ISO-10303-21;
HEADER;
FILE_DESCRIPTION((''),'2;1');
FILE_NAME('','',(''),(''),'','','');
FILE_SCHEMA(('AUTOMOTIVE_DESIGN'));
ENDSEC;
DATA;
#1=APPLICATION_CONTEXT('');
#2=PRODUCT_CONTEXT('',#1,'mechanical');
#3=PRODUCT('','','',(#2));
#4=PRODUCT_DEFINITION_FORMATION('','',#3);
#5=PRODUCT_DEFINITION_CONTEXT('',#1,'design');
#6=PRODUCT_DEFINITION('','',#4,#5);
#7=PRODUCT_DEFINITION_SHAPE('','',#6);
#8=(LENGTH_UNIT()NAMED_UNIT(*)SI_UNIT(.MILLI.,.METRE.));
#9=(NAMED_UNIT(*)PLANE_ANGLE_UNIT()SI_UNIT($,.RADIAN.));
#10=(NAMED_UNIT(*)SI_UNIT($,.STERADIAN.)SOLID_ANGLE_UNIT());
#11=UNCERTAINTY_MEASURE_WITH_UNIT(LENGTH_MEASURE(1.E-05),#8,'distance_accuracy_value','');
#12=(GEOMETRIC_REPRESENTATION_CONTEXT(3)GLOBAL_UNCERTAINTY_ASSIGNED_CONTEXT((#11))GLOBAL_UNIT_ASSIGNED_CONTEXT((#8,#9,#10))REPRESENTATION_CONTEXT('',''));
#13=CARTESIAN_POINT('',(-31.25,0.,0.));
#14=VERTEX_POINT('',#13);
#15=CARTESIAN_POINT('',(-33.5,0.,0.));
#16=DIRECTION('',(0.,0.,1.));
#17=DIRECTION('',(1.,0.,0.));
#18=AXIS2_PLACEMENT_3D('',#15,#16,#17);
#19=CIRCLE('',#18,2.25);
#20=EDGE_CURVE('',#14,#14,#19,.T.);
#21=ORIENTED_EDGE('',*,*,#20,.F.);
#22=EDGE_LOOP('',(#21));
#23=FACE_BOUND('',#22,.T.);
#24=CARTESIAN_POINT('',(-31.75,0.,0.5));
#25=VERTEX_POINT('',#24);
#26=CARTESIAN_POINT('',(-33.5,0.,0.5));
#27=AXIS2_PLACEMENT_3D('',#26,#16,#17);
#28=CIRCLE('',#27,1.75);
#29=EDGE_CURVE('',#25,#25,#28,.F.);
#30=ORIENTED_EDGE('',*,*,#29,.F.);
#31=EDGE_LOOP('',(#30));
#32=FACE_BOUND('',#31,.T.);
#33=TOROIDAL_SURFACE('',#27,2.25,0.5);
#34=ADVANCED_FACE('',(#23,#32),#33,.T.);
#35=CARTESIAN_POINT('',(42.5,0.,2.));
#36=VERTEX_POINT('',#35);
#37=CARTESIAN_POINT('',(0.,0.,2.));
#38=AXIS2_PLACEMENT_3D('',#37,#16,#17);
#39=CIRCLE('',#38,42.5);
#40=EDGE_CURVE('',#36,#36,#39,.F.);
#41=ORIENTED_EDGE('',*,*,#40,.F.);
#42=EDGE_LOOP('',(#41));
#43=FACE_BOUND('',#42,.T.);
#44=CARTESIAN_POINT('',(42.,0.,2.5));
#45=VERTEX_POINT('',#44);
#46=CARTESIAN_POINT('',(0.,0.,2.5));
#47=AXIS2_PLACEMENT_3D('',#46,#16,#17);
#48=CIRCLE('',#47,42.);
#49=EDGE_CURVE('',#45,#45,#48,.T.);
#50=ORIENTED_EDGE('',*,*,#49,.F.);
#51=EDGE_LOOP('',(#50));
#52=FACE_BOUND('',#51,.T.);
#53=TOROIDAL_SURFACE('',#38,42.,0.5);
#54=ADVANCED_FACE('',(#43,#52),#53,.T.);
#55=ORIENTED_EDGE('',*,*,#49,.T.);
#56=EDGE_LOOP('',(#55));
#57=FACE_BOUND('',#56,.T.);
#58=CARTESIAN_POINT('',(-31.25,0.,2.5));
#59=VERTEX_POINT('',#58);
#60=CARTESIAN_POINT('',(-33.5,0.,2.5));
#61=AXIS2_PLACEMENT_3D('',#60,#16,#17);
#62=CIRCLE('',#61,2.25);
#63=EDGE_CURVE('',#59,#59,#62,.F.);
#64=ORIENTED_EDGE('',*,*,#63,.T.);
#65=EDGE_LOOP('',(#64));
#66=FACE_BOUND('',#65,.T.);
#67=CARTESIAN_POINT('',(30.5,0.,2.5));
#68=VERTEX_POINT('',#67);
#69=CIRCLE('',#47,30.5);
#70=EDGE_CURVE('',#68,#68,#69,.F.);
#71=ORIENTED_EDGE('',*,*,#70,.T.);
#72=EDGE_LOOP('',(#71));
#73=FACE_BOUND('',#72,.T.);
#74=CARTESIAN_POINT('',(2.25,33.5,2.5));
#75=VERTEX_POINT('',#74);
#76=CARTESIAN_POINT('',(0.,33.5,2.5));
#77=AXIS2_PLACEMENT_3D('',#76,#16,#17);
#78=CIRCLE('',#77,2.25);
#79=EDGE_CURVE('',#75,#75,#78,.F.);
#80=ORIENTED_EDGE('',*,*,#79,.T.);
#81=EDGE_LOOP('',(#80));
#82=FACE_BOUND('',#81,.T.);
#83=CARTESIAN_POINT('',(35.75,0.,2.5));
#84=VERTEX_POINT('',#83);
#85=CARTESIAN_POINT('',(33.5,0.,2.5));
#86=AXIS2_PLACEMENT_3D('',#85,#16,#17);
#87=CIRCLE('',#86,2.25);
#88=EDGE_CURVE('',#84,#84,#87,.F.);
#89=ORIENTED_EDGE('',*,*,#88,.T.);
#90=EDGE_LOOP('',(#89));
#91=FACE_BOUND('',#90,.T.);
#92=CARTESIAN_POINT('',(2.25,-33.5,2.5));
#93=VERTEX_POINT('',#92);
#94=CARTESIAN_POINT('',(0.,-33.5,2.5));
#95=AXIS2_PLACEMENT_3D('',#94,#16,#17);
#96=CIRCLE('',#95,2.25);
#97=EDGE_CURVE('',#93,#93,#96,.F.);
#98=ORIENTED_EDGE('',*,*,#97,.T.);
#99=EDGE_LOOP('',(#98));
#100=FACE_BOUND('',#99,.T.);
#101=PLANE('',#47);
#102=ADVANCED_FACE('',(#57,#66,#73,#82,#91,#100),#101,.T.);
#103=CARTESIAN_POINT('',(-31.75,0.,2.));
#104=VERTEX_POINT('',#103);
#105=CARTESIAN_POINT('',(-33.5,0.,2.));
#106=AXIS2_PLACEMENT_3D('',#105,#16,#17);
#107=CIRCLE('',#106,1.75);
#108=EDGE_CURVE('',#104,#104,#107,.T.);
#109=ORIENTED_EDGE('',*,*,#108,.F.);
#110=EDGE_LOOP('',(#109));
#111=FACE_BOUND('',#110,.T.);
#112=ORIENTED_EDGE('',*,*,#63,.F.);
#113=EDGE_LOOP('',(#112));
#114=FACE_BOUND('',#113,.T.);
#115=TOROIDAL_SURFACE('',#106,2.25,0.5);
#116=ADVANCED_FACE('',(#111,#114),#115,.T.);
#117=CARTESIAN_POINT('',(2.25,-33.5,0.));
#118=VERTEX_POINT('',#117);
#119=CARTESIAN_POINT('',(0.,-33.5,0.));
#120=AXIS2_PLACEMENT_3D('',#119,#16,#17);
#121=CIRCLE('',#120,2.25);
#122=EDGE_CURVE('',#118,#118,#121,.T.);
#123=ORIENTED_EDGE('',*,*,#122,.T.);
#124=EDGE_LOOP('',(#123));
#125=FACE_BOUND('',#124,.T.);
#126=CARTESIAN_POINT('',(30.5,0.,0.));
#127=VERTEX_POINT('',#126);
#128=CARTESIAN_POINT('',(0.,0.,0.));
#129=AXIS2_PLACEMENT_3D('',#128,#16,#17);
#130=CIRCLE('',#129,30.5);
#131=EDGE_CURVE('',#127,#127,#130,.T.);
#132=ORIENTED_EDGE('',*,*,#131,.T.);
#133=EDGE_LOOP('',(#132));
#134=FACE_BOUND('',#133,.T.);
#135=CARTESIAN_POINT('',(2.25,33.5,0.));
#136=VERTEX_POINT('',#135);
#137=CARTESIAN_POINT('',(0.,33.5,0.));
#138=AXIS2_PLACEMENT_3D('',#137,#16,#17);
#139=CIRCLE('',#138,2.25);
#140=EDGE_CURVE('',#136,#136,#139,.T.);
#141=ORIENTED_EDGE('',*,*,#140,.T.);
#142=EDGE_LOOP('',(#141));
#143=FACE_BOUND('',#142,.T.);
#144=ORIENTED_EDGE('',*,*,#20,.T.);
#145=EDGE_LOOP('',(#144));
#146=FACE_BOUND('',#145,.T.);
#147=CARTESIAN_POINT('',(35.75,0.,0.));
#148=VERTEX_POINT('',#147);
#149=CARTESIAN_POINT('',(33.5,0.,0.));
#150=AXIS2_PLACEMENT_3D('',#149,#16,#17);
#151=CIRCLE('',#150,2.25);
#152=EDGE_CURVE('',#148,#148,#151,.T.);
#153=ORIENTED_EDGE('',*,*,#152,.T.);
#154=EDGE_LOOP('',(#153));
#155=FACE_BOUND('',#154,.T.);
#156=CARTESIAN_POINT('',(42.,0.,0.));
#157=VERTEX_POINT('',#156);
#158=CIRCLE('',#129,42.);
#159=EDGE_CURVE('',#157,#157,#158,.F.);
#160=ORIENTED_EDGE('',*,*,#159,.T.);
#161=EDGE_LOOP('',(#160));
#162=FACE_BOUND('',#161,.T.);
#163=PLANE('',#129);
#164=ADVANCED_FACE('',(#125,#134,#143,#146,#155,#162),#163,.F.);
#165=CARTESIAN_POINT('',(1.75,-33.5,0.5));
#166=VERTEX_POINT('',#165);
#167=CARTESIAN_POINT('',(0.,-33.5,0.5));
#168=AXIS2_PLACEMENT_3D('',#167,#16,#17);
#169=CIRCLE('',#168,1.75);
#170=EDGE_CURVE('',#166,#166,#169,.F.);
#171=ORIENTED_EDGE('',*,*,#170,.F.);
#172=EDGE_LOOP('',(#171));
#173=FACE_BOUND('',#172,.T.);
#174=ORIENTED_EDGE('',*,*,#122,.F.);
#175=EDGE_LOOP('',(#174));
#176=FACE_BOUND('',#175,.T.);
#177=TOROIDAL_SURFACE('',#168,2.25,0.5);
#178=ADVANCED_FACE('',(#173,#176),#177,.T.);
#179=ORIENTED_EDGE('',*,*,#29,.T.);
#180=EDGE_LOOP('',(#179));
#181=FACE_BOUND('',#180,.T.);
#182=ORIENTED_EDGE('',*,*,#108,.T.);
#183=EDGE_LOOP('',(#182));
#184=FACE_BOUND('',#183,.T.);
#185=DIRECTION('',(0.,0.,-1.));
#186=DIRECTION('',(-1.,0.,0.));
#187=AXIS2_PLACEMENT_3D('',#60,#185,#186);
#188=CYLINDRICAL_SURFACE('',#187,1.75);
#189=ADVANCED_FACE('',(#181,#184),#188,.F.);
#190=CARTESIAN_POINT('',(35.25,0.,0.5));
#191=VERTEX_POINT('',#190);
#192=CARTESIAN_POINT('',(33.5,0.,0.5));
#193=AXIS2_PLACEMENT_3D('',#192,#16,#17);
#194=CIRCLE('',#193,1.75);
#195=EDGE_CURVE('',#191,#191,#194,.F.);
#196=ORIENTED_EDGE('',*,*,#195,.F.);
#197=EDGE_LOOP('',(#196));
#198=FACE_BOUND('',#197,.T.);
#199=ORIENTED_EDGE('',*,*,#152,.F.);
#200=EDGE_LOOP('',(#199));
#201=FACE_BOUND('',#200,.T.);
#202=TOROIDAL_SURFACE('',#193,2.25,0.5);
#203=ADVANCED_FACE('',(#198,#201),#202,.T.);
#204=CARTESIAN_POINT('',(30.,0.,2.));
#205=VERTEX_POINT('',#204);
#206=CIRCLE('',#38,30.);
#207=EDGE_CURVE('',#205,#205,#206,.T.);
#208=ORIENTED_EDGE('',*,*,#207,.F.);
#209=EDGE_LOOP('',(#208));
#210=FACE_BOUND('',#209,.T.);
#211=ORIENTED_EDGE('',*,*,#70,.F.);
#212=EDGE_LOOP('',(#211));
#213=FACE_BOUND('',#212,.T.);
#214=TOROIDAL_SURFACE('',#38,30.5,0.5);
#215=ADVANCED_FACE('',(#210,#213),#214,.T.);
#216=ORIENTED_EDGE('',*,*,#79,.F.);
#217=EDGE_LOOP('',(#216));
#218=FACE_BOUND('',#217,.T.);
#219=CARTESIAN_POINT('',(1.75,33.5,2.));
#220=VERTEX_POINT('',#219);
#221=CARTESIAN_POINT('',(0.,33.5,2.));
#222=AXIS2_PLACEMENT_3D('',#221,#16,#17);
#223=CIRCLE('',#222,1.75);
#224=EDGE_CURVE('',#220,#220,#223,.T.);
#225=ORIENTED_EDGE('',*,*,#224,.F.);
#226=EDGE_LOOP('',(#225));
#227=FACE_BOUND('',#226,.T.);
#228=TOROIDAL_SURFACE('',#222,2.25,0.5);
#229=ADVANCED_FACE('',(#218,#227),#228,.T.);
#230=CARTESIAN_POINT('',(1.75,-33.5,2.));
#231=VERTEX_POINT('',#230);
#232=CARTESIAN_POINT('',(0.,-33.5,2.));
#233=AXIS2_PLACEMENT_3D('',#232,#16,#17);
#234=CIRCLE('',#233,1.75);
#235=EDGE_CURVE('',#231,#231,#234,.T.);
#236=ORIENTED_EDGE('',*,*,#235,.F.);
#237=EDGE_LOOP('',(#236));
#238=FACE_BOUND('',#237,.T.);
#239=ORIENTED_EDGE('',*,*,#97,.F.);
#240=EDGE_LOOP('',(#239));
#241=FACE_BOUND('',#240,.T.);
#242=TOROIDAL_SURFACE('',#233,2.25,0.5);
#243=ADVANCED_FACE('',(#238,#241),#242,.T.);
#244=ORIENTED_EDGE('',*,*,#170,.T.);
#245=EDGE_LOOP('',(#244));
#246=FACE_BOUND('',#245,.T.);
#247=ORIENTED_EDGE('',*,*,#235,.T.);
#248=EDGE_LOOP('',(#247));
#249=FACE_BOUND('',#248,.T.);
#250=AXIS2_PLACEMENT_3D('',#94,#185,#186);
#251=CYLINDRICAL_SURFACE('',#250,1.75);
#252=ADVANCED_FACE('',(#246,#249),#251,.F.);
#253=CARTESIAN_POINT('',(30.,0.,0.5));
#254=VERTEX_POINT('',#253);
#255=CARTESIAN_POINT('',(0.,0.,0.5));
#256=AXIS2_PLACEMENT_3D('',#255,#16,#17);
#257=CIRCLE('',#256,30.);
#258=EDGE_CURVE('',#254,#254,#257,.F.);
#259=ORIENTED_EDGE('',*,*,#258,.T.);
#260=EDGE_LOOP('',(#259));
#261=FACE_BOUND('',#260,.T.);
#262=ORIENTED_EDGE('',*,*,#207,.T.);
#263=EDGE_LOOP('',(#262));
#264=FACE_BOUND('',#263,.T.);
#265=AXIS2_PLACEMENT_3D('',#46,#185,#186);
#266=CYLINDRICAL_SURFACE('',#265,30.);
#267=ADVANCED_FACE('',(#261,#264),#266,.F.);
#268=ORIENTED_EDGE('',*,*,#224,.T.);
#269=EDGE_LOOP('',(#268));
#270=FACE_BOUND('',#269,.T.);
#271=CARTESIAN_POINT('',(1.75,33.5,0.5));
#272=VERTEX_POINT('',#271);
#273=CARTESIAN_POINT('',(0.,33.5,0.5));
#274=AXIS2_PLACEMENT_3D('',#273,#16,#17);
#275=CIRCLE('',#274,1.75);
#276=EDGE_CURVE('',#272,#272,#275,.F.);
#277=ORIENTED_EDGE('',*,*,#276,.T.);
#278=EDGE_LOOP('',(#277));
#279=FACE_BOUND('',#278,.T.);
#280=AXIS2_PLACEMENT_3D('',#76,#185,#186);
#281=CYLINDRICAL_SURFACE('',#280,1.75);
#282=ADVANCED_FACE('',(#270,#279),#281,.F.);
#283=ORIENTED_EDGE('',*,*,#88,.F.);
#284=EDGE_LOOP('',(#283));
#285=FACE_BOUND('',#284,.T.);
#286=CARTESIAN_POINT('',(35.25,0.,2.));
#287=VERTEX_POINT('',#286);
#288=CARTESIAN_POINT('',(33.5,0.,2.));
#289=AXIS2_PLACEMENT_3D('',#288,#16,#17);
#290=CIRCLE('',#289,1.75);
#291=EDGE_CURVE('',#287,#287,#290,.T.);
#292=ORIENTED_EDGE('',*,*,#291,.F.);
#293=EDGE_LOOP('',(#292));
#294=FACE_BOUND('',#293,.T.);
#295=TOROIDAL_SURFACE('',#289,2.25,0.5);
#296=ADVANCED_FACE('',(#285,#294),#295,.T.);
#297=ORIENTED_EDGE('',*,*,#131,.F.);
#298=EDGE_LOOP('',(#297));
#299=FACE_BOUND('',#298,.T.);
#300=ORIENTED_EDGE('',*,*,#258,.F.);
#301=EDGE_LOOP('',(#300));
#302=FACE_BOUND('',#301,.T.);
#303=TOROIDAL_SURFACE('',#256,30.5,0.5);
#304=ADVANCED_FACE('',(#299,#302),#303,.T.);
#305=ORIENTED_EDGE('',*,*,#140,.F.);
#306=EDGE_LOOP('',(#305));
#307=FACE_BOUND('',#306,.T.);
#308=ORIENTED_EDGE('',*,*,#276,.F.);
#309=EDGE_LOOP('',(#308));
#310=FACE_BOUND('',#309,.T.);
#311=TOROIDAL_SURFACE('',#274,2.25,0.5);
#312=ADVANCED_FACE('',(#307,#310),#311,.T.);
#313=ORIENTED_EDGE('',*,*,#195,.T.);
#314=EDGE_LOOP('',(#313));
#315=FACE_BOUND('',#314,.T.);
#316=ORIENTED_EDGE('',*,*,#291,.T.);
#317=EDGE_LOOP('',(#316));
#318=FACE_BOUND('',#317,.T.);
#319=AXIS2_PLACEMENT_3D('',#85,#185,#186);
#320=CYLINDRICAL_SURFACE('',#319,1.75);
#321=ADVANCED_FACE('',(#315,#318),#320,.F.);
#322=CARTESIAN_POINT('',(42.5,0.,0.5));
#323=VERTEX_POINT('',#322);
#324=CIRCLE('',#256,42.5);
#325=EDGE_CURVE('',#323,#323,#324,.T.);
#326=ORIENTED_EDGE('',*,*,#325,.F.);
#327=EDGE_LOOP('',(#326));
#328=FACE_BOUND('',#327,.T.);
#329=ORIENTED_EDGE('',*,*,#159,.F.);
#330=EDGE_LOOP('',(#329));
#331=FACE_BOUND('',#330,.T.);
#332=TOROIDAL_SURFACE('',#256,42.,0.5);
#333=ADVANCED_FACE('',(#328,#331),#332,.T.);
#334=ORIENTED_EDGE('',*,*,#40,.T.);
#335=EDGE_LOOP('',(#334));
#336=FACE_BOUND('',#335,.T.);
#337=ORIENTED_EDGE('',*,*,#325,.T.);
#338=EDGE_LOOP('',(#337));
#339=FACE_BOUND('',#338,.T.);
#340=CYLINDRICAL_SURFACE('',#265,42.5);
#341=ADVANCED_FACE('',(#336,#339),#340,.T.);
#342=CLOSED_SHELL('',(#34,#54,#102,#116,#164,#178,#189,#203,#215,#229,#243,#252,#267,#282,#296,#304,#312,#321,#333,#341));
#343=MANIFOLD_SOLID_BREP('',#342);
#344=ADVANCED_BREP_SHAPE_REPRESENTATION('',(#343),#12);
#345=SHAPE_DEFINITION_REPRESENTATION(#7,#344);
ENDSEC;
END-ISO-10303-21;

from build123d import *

# Parameters (mm, degrees)
SKETCH1_R               = 42.5
SKETCH1_R_2             = 2.25
SKETCH1_R_3             = 1.75
BOSS_EXTRUDE1_DEPTH     = 2.5
SKETCH2_R               = 29.85
SKETCH2_R_2             = 12.65
BOSS_EXTRUDE2_DEPTH     = 1
CUT_EXTRUDE1_DEPTH      = 61.156047078
CUT_EXTRUDE1_DEPTH_BACK = 61.156047078
SKETCH3_R               = 30
FILLET1_R               = 0.5


with BuildPart() as part:
    # Sketch1 → Boss-Extrude1 (new body)
    with BuildSketch(Plane.XY):
        Circle(SKETCH1_R)
        Circle(SKETCH1_R_2, mode=Mode.SUBTRACT)
        with Locations((0, 33.5)):
            Circle(SKETCH1_R_3, mode=Mode.SUBTRACT)
        with Locations((33.5, 0)):
            Circle(SKETCH1_R_3, mode=Mode.SUBTRACT)
        with Locations((0, -33.5)):
            Circle(SKETCH1_R_3, mode=Mode.SUBTRACT)
        with Locations((-33.5, 0)):
            Circle(SKETCH1_R_3, mode=Mode.SUBTRACT)
    extrude(amount=BOSS_EXTRUDE1_DEPTH)

    # Sketch2 → Boss-Extrude2 (add)
    with BuildSketch(Plane(origin=(0, 0, 0), x_dir=(-1, 0, 0), z_dir=(0, 0, -1))):
        Circle(SKETCH2_R)
        Circle(SKETCH2_R_2, mode=Mode.SUBTRACT)
    extrude(amount=BOSS_EXTRUDE2_DEPTH)

    # Sketch3 → Cut-Extrude1 (cut, two sides: drawn at the far end of the back side and taken through both)
    with BuildSketch(Plane.XY.offset(-CUT_EXTRUDE1_DEPTH_BACK)):
        Circle(SKETCH3_R)
    extrude(amount=CUT_EXTRUDE1_DEPTH + CUT_EXTRUDE1_DEPTH_BACK, mode=Mode.SUBTRACT)

    # Fillet1
    fillet1_edges = [part.edges().sort_by_distance(p)[0] for p in [
        (31.75, 0, 0),
        (31.75, 0, 2.5),
        (-1.75, -33.5, 0),
        (-1.75, -33.5, 2.5),
        (-42.5, 0, 0),
        (-35.25, 0, 0),
        (-35.25, 0, 2.5),
        (-30, 0, 0),
        (-30, 0, 2.5),
        (-42.5, 0, 2.5),
        (-1.75, 33.5, 0),
        (-1.75, 33.5, 2.5),
    ]]
    fillet(fillet1_edges, radius=FILLET1_R)


solid = part.part
